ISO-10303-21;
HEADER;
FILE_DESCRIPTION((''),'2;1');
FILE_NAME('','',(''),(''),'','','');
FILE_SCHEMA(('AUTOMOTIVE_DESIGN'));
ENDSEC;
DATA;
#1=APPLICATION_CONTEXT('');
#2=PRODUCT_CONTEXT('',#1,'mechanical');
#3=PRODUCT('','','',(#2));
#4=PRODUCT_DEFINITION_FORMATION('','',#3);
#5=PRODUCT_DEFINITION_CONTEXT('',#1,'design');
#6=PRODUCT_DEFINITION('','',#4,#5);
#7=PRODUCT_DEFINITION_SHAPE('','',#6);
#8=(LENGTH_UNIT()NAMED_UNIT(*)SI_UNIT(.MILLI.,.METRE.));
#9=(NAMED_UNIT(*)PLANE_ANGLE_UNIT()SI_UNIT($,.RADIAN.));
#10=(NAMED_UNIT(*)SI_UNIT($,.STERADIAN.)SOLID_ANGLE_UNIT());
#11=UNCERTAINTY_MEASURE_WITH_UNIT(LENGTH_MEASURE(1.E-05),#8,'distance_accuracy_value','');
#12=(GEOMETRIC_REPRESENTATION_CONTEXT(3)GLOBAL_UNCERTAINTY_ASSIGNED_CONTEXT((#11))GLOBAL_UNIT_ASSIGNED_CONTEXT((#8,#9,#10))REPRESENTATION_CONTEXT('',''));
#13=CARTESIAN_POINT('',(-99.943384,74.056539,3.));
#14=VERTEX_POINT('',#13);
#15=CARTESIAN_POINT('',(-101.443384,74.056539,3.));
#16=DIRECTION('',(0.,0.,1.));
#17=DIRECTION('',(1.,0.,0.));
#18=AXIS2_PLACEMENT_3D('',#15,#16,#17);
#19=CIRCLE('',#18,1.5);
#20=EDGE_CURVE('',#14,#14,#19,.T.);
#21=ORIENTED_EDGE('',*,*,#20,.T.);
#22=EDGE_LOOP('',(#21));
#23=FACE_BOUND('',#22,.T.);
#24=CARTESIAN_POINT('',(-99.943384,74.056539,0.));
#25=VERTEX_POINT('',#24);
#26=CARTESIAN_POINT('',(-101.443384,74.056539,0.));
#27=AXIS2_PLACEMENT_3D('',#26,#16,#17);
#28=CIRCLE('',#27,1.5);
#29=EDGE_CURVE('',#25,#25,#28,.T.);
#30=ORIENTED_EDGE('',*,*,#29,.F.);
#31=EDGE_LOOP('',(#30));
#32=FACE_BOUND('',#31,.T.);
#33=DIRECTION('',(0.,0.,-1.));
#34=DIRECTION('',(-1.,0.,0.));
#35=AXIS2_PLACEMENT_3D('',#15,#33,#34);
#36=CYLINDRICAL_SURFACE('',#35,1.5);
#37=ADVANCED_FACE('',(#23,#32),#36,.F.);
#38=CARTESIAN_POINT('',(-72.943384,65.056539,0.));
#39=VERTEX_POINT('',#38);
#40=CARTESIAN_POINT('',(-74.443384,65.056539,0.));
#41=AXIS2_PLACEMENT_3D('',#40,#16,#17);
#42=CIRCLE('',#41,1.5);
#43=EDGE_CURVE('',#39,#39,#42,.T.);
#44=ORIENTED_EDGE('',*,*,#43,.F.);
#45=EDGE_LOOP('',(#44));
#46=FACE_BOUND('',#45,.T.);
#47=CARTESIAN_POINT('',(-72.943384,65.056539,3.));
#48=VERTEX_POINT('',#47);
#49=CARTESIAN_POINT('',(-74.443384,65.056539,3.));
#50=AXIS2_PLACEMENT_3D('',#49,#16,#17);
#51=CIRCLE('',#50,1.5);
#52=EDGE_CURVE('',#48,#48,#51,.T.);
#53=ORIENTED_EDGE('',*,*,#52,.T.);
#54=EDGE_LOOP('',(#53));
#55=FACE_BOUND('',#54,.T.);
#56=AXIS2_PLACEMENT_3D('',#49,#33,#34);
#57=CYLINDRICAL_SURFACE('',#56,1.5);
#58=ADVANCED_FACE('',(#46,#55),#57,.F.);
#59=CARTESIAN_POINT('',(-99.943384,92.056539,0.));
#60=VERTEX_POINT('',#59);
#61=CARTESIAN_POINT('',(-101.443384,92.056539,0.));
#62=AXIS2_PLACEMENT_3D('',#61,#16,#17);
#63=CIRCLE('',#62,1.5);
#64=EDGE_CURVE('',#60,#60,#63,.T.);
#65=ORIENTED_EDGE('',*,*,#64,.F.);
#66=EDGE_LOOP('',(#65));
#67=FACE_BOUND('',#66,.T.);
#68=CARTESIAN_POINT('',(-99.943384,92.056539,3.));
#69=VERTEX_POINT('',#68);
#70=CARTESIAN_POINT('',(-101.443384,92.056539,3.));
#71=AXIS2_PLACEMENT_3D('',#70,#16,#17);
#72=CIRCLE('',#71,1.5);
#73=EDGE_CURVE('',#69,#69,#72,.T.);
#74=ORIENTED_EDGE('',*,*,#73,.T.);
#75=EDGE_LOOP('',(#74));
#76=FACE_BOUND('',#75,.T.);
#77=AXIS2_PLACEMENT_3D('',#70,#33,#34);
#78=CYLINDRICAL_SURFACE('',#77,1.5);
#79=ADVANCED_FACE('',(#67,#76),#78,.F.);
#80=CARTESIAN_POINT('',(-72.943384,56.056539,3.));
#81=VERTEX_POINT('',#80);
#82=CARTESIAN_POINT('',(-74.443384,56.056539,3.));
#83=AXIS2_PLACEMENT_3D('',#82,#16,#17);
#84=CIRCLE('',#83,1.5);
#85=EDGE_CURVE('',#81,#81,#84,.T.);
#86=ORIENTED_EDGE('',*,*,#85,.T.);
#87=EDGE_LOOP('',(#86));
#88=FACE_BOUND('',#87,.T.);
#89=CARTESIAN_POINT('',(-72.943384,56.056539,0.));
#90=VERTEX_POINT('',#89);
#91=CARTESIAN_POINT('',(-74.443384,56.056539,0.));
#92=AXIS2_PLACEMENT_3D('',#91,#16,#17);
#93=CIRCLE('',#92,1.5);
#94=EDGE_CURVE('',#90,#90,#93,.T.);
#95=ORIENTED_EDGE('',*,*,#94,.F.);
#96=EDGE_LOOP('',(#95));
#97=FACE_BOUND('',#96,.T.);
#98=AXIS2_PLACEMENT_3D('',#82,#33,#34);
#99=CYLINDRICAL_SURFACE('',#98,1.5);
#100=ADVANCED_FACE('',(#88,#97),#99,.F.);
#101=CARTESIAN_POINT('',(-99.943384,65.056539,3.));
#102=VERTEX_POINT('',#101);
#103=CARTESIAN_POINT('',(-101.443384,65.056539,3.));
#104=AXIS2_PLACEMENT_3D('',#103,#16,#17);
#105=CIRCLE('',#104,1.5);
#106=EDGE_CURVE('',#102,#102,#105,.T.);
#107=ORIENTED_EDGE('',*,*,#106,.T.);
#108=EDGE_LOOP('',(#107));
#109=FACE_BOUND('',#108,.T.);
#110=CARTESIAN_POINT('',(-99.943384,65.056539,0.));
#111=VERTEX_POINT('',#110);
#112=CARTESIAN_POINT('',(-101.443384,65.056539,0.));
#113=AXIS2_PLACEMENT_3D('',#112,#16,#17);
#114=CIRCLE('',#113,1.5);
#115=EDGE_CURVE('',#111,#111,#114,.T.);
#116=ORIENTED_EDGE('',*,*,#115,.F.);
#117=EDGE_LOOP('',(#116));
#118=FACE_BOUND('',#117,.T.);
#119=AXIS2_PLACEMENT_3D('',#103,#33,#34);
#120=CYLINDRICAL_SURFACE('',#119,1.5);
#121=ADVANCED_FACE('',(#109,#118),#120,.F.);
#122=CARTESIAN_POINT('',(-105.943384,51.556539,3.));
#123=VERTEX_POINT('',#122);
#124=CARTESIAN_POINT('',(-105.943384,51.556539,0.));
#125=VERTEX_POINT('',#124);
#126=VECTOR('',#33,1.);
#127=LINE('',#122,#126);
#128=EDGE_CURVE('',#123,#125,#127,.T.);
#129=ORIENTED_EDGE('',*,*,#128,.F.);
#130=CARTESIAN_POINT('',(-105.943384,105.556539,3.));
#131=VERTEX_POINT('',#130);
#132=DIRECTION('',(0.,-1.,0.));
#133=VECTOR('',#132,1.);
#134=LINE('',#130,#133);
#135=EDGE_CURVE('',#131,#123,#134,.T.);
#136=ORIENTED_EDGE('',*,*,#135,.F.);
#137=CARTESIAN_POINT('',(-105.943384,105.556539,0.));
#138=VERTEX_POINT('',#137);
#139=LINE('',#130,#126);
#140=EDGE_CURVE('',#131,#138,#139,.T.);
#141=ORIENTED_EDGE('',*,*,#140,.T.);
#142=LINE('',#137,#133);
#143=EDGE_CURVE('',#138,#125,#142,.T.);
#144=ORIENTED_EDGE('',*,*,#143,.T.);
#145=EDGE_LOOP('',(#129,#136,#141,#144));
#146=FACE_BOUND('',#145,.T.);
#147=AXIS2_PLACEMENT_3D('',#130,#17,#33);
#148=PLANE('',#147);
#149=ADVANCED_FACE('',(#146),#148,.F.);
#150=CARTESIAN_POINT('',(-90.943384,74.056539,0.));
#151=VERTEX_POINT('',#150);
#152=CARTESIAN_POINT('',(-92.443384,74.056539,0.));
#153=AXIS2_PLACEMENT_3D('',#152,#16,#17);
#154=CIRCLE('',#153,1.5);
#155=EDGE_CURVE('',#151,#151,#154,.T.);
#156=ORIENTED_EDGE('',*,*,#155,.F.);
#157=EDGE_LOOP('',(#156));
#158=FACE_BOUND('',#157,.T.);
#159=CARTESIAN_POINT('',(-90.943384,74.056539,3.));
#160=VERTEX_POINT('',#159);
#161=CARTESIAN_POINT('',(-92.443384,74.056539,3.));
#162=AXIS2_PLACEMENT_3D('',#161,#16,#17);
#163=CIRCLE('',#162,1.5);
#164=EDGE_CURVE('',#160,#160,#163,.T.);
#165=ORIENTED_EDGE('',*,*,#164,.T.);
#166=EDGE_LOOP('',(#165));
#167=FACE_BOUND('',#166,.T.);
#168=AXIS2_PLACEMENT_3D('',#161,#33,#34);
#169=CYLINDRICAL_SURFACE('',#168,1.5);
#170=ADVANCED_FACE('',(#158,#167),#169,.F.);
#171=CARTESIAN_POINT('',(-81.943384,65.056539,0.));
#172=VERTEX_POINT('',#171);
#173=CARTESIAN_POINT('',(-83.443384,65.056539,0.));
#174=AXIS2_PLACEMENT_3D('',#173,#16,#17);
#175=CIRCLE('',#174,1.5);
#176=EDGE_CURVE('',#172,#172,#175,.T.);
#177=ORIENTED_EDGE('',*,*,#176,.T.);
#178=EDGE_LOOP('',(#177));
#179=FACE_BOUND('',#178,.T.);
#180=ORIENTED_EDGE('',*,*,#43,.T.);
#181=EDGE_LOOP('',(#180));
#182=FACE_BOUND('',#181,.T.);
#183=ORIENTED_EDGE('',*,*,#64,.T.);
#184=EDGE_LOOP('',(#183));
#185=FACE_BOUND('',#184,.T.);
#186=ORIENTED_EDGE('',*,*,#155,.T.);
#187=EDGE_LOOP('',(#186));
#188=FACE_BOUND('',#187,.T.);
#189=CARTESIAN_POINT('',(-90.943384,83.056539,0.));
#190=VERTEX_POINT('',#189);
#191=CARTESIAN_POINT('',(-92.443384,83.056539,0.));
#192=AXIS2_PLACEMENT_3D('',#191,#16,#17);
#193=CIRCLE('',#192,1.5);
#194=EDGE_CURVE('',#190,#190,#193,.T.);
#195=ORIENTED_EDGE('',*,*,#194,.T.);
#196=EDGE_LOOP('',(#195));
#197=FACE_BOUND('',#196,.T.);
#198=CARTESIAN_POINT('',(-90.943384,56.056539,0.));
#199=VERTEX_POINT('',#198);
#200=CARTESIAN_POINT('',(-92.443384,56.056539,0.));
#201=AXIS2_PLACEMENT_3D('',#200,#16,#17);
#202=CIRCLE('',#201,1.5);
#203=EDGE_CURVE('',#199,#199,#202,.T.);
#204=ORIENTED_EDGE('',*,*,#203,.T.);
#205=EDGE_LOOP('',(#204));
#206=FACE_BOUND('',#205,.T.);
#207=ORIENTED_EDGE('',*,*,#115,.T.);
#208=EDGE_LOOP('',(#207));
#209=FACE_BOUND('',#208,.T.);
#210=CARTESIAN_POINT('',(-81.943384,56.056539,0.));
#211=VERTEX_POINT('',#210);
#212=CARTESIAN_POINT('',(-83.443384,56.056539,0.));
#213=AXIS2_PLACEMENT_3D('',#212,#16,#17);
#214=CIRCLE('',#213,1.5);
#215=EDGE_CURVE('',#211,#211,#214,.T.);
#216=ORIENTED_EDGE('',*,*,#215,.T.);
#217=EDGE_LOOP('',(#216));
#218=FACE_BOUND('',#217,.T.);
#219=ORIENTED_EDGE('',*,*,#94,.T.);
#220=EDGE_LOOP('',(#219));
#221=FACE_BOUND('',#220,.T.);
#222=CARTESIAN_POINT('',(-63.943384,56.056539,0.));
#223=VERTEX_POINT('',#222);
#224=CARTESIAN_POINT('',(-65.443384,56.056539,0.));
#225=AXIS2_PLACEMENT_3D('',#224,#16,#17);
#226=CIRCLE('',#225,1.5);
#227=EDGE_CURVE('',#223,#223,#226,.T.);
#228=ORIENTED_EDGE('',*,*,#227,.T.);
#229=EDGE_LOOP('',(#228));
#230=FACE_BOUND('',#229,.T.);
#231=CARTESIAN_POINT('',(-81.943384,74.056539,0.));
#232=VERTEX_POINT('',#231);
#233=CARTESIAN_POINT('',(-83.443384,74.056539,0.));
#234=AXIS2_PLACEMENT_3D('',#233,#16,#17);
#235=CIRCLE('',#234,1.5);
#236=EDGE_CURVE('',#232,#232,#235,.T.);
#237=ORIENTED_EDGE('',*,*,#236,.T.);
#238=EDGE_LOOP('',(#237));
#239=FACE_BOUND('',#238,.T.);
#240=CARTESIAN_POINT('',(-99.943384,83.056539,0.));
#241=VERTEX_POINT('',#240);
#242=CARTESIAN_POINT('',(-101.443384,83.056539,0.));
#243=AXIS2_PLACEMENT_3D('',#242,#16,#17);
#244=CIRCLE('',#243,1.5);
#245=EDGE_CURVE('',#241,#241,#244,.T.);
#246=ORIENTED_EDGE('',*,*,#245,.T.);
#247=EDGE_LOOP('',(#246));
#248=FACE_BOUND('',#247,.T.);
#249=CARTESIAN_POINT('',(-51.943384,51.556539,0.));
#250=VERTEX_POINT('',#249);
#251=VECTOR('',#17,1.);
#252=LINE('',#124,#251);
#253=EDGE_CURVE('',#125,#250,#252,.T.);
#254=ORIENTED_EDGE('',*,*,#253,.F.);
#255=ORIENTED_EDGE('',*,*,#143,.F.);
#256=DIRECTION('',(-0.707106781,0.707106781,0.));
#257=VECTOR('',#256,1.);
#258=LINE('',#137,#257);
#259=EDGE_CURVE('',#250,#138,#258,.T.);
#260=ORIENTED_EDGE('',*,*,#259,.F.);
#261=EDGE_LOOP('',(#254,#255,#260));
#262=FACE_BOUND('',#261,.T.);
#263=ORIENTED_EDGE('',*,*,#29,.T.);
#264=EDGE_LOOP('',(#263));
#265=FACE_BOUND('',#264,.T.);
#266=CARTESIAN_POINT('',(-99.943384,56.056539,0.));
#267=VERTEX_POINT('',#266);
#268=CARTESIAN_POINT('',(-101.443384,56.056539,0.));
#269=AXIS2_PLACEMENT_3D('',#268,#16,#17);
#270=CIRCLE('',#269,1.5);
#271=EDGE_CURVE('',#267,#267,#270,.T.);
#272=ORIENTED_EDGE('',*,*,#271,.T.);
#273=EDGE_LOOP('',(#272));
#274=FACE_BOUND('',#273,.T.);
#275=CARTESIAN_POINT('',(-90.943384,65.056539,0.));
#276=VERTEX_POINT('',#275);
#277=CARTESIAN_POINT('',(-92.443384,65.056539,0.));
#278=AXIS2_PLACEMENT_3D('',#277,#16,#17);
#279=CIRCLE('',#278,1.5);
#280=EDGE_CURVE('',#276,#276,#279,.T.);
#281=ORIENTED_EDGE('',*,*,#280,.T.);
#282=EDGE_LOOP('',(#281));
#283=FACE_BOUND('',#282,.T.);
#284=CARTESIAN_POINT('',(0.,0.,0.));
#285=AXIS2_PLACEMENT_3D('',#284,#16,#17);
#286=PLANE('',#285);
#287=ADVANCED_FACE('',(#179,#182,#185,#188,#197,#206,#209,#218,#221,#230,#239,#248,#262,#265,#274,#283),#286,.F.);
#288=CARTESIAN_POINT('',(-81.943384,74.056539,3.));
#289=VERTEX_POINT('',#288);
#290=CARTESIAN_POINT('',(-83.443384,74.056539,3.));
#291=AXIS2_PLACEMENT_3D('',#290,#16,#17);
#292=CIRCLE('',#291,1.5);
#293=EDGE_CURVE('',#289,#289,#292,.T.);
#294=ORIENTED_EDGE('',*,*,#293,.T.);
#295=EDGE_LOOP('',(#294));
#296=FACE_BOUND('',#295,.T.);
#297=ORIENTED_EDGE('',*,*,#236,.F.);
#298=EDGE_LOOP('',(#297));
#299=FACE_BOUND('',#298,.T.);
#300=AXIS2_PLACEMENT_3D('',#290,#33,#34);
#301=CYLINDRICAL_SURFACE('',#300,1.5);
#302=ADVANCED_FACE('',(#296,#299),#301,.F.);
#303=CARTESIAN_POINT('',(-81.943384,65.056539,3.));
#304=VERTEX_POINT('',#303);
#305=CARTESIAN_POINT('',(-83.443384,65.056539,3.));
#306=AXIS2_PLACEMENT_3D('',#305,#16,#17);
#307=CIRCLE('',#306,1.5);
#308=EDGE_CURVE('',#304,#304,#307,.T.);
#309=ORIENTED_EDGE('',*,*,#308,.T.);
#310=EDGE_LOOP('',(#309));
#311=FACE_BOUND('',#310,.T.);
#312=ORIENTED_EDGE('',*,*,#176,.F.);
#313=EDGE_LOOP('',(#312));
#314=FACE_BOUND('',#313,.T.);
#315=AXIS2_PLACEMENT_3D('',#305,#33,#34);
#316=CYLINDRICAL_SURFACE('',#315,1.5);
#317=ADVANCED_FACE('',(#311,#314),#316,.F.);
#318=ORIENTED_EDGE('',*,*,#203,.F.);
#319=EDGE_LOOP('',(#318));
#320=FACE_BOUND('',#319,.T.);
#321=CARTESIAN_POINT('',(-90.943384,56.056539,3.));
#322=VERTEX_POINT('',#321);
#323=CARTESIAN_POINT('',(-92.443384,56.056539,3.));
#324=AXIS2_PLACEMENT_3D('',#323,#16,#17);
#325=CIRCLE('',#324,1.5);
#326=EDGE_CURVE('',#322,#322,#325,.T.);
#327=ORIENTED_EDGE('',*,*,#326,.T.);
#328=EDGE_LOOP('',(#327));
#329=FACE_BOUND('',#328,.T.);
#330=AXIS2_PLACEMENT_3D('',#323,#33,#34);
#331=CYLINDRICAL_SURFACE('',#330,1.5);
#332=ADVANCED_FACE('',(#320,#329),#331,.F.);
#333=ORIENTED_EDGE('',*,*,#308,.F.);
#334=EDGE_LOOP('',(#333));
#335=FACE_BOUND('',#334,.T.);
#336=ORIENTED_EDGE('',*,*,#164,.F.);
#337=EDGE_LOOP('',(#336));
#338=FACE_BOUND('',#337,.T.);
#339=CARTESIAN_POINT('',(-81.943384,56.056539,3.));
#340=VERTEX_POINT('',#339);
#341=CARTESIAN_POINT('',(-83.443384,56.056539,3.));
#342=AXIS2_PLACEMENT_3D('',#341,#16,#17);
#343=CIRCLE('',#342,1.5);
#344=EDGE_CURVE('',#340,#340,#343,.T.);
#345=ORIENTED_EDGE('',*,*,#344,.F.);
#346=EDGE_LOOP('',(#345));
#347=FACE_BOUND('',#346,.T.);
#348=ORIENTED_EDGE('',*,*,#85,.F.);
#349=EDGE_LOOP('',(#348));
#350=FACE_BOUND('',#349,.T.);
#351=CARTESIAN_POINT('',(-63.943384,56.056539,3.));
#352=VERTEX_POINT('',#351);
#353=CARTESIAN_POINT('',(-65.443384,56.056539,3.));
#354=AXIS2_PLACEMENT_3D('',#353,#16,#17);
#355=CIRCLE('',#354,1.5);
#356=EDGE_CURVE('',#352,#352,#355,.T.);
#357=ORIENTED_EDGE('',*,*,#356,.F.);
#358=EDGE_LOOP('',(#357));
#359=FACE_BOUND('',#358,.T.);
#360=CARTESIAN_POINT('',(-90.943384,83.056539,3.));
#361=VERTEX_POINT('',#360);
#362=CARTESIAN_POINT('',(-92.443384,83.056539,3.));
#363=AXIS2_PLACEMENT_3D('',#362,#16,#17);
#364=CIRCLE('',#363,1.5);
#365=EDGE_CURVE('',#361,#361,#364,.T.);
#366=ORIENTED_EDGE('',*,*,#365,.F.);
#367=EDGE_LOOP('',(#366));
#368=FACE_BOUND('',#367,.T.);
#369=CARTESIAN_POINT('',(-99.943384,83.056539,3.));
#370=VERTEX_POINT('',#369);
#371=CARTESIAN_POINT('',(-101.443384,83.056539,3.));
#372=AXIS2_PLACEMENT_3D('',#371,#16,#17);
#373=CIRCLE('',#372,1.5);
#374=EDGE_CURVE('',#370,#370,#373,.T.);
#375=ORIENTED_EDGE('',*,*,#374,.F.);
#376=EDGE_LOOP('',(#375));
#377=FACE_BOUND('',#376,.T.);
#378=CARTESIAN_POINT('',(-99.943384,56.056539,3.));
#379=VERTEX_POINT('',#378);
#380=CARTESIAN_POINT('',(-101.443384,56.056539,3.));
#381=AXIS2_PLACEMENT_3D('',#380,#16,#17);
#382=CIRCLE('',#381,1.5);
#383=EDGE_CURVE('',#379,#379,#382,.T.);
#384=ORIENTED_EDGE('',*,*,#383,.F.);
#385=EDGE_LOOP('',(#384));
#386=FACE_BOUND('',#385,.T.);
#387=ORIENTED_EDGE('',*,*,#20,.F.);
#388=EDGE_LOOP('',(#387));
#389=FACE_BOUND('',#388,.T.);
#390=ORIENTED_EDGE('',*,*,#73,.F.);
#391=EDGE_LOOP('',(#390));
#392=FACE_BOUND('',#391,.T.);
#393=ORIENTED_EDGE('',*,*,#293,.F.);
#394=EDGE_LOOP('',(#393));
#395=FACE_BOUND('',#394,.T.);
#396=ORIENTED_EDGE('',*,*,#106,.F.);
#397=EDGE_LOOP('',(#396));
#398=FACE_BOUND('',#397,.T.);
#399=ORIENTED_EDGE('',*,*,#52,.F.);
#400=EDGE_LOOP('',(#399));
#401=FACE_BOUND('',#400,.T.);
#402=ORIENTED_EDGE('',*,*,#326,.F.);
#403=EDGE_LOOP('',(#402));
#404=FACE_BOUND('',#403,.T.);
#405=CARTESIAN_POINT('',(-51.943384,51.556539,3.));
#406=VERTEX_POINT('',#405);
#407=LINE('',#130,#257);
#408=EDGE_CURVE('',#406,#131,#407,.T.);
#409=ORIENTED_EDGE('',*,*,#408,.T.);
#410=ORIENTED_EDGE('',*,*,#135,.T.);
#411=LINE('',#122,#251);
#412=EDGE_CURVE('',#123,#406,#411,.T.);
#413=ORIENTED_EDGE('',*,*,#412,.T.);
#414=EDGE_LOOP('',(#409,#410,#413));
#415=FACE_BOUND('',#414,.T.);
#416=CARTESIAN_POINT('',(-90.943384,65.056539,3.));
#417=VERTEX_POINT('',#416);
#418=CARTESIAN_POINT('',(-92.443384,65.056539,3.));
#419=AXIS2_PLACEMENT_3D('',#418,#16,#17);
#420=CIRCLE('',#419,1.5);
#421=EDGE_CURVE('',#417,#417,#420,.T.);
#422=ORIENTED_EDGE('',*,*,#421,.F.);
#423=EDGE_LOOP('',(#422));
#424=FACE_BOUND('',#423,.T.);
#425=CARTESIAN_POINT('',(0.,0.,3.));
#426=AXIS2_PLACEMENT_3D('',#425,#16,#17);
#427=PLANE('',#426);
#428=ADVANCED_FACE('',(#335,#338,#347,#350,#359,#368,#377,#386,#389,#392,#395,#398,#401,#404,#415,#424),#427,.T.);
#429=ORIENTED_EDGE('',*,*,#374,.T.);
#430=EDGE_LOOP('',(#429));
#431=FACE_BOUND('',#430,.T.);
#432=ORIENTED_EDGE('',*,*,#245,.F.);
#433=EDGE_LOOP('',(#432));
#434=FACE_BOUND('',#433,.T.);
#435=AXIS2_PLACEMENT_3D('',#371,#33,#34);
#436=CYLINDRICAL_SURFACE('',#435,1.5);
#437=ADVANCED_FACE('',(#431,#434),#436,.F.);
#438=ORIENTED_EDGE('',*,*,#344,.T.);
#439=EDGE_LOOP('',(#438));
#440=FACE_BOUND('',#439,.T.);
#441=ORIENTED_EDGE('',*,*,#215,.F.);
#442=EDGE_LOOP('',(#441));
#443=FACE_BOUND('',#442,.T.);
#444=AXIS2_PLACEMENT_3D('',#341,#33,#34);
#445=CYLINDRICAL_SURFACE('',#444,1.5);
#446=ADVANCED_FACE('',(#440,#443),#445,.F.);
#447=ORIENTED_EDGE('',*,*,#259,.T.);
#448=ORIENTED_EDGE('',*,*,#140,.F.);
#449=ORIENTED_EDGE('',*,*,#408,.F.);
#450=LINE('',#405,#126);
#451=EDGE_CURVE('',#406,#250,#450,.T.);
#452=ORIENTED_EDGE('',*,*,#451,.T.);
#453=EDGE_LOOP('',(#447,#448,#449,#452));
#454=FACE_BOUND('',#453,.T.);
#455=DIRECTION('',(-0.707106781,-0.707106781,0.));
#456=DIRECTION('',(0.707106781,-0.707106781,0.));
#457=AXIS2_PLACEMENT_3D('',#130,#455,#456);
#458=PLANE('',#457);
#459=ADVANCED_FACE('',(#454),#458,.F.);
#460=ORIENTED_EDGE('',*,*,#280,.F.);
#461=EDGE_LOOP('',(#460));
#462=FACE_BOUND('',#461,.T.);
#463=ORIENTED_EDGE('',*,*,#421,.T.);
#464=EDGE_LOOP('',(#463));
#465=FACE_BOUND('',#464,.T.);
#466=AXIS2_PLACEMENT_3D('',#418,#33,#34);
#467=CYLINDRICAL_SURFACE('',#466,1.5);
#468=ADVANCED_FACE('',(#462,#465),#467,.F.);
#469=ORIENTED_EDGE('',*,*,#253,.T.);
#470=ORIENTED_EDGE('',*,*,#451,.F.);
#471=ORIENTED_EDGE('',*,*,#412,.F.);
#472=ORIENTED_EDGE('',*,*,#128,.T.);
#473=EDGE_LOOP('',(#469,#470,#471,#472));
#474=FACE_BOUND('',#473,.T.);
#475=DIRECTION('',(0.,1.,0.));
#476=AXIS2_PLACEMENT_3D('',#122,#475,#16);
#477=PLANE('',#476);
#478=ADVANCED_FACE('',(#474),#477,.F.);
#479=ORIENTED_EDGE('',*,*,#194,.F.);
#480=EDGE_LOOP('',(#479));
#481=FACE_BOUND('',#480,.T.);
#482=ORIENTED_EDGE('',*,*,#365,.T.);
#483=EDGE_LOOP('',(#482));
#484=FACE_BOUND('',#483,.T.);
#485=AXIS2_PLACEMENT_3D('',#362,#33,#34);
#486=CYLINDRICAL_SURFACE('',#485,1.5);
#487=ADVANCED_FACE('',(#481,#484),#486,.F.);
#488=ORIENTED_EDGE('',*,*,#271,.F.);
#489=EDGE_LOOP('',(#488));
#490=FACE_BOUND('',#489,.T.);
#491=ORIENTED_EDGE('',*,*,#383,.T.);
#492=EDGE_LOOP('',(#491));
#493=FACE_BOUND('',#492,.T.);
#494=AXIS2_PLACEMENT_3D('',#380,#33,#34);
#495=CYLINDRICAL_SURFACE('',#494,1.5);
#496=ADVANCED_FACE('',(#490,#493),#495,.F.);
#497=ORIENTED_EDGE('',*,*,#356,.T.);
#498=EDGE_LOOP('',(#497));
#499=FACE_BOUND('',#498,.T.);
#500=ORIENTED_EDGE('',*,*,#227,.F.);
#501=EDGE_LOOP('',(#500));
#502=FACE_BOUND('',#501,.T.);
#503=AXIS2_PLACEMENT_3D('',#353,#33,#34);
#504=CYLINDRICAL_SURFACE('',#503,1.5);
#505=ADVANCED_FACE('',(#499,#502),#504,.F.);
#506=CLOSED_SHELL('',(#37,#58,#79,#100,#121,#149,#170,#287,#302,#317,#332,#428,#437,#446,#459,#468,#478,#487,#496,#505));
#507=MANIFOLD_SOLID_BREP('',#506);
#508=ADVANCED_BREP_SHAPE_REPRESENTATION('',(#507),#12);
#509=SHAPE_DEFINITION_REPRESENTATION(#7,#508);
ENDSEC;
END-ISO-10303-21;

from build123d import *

# Parameters (mm, degrees)
MODEL_R                 = 1.5
SALIENTE_EXTRUIR1_DEPTH = 3


with BuildPart() as part:
    # Model → Saliente-Extruir1 (new body)
    with BuildSketch(Plane.XY):
        Polygon((-105.943383637, 105.556539338), (-105.943383637, 51.556539338), (-51.943383637, 51.556539338), align=None)
        with Locations((-101.443383637, 92.056539338)):
            Circle(MODEL_R, mode=Mode.SUBTRACT)
        with Locations((-101.443383637, 83.056539338)):
            Circle(MODEL_R, mode=Mode.SUBTRACT)
        with Locations((-92.443383637, 83.056539338)):
            Circle(MODEL_R, mode=Mode.SUBTRACT)
        with Locations((-101.443383637, 74.056539338)):
            Circle(MODEL_R, mode=Mode.SUBTRACT)
        with Locations((-92.443383637, 74.056539338)):
            Circle(MODEL_R, mode=Mode.SUBTRACT)
        with Locations((-83.443383637, 74.056539338)):
            Circle(MODEL_R, mode=Mode.SUBTRACT)
        with Locations((-101.443383637, 65.056539338)):
            Circle(MODEL_R, mode=Mode.SUBTRACT)
        with Locations((-92.443383637, 65.056539338)):
            Circle(MODEL_R, mode=Mode.SUBTRACT)
        with Locations((-83.443383637, 65.056539338)):
            Circle(MODEL_R, mode=Mode.SUBTRACT)
        with Locations((-74.443383637, 65.056539338)):
            Circle(MODEL_R, mode=Mode.SUBTRACT)
        with Locations((-101.443383637, 56.056539338)):
            Circle(MODEL_R, mode=Mode.SUBTRACT)
        with Locations((-92.443383637, 56.056539338)):
            Circle(MODEL_R, mode=Mode.SUBTRACT)
        with Locations((-83.443383637, 56.056539338)):
            Circle(MODEL_R, mode=Mode.SUBTRACT)
        with Locations((-74.443383637, 56.056539338)):
            Circle(MODEL_R, mode=Mode.SUBTRACT)
        with Locations((-65.443383637, 56.056539338)):
            Circle(MODEL_R, mode=Mode.SUBTRACT)
    extrude(amount=SALIENTE_EXTRUIR1_DEPTH)


solid = part.part
